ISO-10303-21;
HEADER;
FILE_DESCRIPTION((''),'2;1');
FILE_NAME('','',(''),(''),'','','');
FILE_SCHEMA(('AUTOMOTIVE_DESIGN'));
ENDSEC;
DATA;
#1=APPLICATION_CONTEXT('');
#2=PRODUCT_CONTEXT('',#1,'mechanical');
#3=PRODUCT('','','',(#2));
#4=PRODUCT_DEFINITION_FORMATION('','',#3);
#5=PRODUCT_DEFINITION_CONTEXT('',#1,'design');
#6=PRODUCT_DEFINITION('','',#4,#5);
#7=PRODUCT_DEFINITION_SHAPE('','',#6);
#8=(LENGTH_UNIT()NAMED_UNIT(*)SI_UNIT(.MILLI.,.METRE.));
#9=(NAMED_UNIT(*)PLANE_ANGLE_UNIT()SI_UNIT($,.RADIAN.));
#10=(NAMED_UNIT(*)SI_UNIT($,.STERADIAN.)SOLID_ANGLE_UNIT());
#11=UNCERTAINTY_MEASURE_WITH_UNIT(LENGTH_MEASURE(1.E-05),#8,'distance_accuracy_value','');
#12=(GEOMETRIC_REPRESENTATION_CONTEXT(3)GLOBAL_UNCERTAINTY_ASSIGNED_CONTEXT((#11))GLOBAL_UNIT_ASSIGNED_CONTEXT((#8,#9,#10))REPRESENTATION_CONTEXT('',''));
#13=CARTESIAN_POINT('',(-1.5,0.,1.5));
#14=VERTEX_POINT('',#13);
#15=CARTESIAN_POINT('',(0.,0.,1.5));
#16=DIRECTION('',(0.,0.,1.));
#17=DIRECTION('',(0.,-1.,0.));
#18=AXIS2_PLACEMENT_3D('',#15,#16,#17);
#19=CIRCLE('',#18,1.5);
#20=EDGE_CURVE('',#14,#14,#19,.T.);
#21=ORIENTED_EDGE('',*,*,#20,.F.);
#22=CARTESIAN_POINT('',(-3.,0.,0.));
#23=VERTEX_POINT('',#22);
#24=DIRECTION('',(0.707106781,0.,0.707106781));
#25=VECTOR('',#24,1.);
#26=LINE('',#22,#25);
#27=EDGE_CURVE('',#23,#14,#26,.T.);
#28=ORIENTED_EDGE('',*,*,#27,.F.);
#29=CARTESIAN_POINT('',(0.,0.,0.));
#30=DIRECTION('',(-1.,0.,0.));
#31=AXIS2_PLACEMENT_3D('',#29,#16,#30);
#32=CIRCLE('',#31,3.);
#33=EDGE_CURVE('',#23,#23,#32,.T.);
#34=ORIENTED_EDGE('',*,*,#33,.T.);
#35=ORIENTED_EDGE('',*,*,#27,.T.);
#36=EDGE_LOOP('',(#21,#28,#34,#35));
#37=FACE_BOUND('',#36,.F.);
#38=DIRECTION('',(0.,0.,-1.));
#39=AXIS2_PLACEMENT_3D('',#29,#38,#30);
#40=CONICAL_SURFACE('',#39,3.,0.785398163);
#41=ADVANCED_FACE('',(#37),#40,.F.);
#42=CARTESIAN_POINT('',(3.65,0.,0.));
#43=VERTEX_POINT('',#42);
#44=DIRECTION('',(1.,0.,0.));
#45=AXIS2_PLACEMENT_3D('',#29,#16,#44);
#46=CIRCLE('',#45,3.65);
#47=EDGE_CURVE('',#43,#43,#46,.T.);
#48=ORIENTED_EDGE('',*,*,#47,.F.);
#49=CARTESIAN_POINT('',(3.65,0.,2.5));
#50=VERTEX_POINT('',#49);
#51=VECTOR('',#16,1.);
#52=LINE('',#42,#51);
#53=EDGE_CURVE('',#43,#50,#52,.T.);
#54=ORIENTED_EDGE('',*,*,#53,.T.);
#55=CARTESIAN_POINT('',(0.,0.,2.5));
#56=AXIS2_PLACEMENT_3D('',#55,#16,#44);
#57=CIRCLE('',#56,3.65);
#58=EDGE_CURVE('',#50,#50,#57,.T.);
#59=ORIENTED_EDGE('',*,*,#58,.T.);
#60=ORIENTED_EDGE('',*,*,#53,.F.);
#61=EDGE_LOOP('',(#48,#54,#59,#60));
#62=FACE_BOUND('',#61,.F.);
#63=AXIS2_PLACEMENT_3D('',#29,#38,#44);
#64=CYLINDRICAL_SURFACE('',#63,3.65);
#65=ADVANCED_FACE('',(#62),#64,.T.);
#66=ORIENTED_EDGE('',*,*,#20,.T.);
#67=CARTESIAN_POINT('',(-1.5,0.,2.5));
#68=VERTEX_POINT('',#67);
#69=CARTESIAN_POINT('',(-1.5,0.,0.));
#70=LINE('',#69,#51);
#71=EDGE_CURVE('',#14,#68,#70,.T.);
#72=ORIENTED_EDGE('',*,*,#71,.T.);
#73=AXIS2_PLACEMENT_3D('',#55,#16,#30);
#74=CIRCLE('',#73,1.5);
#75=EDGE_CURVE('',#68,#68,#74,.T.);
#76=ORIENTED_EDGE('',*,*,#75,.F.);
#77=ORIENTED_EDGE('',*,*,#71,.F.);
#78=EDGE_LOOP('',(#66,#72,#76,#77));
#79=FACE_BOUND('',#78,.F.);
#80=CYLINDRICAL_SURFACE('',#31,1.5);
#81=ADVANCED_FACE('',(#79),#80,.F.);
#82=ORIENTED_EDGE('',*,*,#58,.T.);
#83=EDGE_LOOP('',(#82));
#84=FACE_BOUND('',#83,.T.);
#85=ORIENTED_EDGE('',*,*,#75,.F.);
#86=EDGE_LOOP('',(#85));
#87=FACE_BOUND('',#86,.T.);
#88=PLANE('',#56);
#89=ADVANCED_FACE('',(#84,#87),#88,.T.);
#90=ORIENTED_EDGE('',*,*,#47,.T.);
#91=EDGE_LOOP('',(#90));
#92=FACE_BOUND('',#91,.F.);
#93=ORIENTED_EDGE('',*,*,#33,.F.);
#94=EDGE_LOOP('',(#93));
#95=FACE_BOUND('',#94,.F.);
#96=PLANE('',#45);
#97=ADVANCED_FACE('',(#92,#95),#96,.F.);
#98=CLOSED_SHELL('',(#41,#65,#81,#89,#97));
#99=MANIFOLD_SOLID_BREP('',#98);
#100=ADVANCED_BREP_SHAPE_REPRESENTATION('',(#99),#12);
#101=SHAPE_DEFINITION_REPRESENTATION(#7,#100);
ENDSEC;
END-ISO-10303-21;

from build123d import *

# Parameters (mm, degrees)
F0_R           = 3.65
F1_DEPTH       = 2.5
F2_D           = 3
F2_CSINK_D     = 6
F2_CSINK_ANGLE = 90


with BuildPart() as f1:
    # F0 (on Top) → F1 (new body)
    with BuildSketch(Plane.XY):
        Circle(F0_R)
    extrude(amount=F1_DEPTH)

    # F2 (through all)
    with Locations(Plane(origin=(0, 0, 0), x_dir=(1, 0, 0), z_dir=(0, 0, -1))):
        with Locations((0, 0)):
            CounterSinkHole(F2_D / 2, F2_CSINK_D / 2, counter_sink_angle=F2_CSINK_ANGLE)


solid = f1.part
